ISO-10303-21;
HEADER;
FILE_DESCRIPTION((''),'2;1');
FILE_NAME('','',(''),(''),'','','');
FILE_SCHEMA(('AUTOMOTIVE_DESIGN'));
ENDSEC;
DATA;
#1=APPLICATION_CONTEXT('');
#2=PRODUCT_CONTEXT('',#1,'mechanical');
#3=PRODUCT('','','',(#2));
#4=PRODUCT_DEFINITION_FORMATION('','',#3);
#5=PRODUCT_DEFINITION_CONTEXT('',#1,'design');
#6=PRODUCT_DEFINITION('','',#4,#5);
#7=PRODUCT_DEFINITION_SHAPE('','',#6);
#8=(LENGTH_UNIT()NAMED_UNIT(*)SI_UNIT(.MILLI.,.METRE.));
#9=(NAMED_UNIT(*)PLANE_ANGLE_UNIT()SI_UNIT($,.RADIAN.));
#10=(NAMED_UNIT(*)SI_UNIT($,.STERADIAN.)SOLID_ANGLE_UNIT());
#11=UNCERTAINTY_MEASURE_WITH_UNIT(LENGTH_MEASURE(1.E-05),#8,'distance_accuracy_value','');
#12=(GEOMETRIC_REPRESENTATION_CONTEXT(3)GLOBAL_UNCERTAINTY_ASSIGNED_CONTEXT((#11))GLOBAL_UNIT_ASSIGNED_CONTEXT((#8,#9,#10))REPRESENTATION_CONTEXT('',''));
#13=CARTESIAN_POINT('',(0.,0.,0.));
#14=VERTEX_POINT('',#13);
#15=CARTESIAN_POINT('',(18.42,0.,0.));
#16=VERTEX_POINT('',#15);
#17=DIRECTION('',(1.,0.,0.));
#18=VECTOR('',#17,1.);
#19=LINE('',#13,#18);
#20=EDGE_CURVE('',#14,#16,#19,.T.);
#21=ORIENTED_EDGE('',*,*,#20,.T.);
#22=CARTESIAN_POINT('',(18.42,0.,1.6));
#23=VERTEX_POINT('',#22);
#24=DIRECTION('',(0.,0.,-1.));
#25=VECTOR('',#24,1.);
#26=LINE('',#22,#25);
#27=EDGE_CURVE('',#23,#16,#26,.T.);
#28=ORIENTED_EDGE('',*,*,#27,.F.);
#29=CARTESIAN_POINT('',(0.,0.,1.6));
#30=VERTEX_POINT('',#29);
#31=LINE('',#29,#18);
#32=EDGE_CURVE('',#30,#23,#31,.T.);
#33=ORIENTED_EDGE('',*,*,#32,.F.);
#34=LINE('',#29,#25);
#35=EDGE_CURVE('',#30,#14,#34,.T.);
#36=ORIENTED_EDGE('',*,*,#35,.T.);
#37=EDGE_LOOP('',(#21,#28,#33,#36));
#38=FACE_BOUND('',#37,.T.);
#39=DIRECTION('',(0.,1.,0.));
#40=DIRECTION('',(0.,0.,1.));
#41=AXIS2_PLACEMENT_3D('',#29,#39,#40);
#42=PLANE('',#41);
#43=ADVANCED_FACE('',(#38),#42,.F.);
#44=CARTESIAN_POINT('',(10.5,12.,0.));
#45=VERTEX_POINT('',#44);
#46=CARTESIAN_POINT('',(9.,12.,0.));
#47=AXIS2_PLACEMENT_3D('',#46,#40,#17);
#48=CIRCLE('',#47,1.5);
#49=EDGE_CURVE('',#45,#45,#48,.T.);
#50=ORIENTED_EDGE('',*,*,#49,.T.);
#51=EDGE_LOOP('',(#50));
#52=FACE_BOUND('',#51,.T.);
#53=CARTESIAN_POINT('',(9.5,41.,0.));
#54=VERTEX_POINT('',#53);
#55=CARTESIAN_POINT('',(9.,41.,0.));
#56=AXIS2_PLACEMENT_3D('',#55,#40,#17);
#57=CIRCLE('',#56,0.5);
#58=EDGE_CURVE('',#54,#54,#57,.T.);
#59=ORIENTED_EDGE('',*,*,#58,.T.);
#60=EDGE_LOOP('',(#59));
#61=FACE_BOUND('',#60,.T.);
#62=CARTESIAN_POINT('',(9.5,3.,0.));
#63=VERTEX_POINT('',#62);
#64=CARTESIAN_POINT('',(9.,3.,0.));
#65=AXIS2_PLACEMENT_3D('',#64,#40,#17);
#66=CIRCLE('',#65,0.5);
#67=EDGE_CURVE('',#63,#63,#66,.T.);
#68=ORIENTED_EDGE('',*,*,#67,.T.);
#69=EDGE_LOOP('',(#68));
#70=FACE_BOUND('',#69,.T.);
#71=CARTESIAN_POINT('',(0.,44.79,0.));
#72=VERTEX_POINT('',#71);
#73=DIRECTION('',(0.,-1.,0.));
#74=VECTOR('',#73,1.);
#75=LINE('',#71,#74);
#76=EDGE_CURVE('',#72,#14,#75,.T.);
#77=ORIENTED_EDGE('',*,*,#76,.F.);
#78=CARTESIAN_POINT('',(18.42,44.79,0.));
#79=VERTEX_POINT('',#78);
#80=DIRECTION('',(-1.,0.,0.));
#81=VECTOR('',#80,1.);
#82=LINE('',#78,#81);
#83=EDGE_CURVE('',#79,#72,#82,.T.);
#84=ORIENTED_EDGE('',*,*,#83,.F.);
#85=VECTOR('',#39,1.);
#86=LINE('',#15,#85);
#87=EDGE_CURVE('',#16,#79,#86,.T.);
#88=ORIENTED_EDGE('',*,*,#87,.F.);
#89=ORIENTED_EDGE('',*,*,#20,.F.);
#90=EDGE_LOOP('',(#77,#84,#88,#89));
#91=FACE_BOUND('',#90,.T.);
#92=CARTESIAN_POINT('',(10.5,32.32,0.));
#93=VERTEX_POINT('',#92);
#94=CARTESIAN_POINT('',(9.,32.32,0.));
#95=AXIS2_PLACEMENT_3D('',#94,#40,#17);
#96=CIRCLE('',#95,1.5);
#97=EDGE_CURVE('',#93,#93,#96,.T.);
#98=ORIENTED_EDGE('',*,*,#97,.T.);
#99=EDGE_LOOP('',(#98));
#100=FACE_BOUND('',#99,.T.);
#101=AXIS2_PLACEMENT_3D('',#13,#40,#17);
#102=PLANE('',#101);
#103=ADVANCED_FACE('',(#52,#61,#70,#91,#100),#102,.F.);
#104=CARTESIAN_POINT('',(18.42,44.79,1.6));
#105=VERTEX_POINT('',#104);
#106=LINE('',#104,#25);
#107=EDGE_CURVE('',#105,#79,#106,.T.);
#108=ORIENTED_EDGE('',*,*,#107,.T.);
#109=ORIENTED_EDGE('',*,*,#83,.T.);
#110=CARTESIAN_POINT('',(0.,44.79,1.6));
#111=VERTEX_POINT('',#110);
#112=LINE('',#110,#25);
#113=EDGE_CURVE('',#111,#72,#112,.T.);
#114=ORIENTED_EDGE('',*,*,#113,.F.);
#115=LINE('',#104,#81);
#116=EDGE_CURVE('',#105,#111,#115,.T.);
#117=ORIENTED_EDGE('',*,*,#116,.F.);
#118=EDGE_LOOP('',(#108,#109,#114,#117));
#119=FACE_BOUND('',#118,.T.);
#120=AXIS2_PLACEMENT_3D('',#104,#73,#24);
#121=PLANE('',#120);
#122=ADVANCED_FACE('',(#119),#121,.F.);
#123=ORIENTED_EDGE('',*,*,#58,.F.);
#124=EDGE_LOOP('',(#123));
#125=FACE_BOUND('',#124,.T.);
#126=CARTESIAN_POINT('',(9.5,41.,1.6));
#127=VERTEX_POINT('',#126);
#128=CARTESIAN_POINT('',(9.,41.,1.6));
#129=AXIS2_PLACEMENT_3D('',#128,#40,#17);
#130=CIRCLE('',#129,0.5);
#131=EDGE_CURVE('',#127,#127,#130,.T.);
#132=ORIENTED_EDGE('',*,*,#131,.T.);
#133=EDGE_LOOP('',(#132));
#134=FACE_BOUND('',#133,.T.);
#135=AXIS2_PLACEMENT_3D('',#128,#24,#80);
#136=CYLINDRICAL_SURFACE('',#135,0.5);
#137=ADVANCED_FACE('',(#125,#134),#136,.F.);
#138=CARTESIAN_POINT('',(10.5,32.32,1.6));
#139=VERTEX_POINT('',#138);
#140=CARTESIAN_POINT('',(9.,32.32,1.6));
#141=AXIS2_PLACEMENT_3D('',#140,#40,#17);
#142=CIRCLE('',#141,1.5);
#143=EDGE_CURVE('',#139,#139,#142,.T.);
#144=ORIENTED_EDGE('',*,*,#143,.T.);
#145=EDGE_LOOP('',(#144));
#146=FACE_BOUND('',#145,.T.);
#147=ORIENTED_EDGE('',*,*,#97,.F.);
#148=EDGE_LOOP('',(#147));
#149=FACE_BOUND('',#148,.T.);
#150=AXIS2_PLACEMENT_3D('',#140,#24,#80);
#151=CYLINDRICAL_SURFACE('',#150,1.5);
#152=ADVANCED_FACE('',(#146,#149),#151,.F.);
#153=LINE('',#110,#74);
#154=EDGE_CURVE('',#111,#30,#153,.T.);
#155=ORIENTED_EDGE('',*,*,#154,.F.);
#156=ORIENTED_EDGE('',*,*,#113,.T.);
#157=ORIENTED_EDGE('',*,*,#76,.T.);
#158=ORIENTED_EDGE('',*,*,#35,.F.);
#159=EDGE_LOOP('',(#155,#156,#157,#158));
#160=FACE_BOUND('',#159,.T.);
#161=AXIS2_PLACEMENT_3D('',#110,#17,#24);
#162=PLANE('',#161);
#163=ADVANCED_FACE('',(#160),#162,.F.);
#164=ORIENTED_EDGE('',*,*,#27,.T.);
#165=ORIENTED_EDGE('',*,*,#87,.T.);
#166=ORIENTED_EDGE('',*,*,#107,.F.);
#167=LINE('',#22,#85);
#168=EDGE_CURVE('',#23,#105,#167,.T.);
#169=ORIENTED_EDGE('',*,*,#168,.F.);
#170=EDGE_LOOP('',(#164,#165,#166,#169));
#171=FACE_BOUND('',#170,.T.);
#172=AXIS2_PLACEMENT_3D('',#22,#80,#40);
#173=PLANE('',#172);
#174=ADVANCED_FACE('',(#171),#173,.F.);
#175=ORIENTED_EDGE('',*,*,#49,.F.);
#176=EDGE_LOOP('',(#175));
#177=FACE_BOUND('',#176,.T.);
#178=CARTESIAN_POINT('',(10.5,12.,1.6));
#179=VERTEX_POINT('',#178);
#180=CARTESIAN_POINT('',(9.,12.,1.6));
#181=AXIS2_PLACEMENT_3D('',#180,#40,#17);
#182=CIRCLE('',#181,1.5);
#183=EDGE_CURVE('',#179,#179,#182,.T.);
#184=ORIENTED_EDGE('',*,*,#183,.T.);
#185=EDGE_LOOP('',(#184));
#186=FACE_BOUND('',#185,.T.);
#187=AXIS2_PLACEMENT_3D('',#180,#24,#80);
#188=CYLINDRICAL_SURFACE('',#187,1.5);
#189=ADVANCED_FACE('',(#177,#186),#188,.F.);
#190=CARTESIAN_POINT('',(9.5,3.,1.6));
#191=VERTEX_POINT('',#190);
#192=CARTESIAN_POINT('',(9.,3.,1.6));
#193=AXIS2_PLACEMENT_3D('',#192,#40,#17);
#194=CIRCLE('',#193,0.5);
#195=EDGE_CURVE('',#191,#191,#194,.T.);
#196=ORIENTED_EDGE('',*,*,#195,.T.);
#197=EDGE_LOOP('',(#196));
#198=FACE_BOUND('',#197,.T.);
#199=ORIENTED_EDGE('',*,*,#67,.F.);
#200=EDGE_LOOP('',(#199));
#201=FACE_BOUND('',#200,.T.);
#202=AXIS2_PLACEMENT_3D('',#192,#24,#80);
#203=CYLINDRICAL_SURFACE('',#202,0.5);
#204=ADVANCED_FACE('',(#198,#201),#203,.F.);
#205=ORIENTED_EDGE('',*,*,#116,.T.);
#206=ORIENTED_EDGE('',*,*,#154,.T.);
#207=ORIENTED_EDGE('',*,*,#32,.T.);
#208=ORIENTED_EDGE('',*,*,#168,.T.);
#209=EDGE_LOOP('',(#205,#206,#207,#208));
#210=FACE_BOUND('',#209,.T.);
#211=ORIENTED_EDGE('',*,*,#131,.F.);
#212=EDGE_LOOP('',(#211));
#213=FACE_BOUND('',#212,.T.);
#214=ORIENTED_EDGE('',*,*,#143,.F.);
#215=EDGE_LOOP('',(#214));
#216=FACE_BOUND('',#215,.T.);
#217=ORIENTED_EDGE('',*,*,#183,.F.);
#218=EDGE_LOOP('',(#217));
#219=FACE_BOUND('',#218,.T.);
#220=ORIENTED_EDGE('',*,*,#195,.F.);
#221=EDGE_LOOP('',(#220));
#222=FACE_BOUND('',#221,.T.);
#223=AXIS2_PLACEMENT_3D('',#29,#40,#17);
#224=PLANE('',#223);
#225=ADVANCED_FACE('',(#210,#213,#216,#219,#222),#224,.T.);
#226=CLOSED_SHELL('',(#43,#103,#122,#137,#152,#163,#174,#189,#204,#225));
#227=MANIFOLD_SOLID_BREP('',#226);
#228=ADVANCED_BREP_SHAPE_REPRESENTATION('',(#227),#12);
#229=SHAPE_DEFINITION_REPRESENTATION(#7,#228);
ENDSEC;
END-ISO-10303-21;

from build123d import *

# Parameters (mm, degrees)
MODEL_W             = 18.42
MODEL_H             = 44.79
MODEL_R             = 0.5
MODEL_R_2           = 1.5
BOSS_EXTRUDE1_DEPTH = 1.6


with BuildPart() as part:
    # Model → Boss-Extrude1 (new body)
    with BuildSketch(Plane.XY):
        with Locations((9.21, 22.395)):
            Rectangle(MODEL_W, MODEL_H)
        with Locations((9, 41)):
            Circle(MODEL_R, mode=Mode.SUBTRACT)
        with Locations((9, 32.32)):
            Circle(MODEL_R_2, mode=Mode.SUBTRACT)
        with Locations((9, 3)):
            Circle(MODEL_R, mode=Mode.SUBTRACT)
        with Locations((9, 12)):
            Circle(MODEL_R_2, mode=Mode.SUBTRACT)
    extrude(amount=BOSS_EXTRUDE1_DEPTH)


solid = part.part
